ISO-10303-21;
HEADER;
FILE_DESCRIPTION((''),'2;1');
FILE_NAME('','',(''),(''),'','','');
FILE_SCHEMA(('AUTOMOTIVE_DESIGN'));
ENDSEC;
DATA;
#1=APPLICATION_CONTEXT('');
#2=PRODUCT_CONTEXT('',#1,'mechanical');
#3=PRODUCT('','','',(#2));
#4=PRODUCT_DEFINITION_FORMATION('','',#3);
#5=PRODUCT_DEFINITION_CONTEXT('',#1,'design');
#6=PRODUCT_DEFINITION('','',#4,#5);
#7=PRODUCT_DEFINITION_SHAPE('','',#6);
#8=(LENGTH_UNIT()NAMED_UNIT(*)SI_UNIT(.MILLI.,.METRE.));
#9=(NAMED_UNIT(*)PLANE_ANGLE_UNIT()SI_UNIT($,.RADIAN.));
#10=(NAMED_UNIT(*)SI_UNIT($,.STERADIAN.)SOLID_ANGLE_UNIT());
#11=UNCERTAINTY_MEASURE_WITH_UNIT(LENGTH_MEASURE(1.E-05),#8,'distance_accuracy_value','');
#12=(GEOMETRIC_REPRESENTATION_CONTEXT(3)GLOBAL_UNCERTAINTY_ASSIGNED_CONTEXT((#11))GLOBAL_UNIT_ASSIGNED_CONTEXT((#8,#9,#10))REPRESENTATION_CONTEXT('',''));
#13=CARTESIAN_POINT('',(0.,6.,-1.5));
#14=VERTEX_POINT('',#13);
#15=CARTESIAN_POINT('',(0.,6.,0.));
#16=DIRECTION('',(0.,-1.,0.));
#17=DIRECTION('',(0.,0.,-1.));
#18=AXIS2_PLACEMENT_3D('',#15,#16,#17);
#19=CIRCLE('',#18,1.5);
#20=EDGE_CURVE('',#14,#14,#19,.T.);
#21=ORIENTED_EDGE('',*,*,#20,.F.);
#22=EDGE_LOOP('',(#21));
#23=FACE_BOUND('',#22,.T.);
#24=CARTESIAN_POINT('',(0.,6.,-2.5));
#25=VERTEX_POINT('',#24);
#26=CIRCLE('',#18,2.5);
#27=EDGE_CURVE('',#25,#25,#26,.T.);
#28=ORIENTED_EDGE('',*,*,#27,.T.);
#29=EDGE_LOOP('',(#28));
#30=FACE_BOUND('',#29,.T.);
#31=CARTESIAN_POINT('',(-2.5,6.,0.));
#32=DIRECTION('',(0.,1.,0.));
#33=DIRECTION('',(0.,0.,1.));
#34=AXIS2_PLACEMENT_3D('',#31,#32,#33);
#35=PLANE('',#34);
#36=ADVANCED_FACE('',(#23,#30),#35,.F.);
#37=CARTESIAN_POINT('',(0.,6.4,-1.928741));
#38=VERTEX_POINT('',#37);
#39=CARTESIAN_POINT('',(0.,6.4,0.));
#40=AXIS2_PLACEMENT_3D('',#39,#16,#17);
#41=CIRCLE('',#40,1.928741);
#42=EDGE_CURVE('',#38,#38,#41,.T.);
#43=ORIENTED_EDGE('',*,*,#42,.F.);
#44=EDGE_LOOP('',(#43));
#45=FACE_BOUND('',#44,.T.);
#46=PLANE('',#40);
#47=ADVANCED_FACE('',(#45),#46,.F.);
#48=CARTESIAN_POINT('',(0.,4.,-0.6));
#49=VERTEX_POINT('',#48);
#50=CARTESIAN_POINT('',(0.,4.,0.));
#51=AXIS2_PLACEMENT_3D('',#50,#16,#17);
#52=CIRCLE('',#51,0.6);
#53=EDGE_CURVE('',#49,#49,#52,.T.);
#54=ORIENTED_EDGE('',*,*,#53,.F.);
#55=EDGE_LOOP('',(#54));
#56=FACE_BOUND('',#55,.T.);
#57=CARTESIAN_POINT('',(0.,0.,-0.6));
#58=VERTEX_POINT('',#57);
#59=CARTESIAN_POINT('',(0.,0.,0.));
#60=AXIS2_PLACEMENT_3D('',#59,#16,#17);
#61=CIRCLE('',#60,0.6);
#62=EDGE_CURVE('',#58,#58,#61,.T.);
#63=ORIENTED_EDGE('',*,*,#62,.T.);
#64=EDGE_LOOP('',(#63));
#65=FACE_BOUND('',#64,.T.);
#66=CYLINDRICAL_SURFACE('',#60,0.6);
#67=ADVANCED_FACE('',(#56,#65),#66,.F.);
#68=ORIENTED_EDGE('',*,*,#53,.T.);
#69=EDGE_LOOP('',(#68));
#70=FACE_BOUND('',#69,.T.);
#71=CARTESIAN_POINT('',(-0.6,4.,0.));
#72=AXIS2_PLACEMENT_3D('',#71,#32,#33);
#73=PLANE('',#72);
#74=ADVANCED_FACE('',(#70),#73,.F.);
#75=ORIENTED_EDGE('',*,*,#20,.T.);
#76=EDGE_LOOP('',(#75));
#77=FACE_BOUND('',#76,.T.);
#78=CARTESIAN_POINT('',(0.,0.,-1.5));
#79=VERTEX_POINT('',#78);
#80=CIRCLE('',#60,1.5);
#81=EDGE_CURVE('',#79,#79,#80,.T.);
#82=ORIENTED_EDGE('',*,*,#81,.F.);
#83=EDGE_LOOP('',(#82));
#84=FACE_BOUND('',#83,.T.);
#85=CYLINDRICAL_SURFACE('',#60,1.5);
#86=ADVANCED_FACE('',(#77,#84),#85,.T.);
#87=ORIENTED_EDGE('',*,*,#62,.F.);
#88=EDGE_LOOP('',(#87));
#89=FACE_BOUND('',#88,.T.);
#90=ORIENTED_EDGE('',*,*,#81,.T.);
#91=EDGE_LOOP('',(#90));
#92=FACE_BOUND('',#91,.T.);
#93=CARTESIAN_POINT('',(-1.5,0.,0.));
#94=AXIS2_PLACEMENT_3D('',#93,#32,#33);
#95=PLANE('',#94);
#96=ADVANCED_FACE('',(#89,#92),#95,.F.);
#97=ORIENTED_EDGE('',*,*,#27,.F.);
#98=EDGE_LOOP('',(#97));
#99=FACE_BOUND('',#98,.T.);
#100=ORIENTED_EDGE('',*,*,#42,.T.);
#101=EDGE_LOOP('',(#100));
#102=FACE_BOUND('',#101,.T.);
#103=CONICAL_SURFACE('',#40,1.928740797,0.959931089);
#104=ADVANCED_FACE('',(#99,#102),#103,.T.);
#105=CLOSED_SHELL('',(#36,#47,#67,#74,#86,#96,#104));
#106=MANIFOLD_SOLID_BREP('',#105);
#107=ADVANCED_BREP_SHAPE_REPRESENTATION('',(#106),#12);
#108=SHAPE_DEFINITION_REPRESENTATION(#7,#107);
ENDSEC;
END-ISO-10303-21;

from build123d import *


with BuildPart() as part:
    # 草图1 → 旋转1 (revolve)
    with BuildSketch(Plane.XY, mode=Mode.PRIVATE) as revolve_1_sk:
        Polygon((0, 6.4), (-1.928740797, 6.4), (-2.5, 6), (-1.5, 6), (-1.5, 0), (-0.6, 0), (-0.6, 4), (0, 4), align=None)
    revolve(revolve_1_sk.sketch.rotate(Axis((0, 0, 0), (0, 1, 0)), 270), axis=Axis((0, 0, 0), (0, 1, 0)))


solid = part.part
